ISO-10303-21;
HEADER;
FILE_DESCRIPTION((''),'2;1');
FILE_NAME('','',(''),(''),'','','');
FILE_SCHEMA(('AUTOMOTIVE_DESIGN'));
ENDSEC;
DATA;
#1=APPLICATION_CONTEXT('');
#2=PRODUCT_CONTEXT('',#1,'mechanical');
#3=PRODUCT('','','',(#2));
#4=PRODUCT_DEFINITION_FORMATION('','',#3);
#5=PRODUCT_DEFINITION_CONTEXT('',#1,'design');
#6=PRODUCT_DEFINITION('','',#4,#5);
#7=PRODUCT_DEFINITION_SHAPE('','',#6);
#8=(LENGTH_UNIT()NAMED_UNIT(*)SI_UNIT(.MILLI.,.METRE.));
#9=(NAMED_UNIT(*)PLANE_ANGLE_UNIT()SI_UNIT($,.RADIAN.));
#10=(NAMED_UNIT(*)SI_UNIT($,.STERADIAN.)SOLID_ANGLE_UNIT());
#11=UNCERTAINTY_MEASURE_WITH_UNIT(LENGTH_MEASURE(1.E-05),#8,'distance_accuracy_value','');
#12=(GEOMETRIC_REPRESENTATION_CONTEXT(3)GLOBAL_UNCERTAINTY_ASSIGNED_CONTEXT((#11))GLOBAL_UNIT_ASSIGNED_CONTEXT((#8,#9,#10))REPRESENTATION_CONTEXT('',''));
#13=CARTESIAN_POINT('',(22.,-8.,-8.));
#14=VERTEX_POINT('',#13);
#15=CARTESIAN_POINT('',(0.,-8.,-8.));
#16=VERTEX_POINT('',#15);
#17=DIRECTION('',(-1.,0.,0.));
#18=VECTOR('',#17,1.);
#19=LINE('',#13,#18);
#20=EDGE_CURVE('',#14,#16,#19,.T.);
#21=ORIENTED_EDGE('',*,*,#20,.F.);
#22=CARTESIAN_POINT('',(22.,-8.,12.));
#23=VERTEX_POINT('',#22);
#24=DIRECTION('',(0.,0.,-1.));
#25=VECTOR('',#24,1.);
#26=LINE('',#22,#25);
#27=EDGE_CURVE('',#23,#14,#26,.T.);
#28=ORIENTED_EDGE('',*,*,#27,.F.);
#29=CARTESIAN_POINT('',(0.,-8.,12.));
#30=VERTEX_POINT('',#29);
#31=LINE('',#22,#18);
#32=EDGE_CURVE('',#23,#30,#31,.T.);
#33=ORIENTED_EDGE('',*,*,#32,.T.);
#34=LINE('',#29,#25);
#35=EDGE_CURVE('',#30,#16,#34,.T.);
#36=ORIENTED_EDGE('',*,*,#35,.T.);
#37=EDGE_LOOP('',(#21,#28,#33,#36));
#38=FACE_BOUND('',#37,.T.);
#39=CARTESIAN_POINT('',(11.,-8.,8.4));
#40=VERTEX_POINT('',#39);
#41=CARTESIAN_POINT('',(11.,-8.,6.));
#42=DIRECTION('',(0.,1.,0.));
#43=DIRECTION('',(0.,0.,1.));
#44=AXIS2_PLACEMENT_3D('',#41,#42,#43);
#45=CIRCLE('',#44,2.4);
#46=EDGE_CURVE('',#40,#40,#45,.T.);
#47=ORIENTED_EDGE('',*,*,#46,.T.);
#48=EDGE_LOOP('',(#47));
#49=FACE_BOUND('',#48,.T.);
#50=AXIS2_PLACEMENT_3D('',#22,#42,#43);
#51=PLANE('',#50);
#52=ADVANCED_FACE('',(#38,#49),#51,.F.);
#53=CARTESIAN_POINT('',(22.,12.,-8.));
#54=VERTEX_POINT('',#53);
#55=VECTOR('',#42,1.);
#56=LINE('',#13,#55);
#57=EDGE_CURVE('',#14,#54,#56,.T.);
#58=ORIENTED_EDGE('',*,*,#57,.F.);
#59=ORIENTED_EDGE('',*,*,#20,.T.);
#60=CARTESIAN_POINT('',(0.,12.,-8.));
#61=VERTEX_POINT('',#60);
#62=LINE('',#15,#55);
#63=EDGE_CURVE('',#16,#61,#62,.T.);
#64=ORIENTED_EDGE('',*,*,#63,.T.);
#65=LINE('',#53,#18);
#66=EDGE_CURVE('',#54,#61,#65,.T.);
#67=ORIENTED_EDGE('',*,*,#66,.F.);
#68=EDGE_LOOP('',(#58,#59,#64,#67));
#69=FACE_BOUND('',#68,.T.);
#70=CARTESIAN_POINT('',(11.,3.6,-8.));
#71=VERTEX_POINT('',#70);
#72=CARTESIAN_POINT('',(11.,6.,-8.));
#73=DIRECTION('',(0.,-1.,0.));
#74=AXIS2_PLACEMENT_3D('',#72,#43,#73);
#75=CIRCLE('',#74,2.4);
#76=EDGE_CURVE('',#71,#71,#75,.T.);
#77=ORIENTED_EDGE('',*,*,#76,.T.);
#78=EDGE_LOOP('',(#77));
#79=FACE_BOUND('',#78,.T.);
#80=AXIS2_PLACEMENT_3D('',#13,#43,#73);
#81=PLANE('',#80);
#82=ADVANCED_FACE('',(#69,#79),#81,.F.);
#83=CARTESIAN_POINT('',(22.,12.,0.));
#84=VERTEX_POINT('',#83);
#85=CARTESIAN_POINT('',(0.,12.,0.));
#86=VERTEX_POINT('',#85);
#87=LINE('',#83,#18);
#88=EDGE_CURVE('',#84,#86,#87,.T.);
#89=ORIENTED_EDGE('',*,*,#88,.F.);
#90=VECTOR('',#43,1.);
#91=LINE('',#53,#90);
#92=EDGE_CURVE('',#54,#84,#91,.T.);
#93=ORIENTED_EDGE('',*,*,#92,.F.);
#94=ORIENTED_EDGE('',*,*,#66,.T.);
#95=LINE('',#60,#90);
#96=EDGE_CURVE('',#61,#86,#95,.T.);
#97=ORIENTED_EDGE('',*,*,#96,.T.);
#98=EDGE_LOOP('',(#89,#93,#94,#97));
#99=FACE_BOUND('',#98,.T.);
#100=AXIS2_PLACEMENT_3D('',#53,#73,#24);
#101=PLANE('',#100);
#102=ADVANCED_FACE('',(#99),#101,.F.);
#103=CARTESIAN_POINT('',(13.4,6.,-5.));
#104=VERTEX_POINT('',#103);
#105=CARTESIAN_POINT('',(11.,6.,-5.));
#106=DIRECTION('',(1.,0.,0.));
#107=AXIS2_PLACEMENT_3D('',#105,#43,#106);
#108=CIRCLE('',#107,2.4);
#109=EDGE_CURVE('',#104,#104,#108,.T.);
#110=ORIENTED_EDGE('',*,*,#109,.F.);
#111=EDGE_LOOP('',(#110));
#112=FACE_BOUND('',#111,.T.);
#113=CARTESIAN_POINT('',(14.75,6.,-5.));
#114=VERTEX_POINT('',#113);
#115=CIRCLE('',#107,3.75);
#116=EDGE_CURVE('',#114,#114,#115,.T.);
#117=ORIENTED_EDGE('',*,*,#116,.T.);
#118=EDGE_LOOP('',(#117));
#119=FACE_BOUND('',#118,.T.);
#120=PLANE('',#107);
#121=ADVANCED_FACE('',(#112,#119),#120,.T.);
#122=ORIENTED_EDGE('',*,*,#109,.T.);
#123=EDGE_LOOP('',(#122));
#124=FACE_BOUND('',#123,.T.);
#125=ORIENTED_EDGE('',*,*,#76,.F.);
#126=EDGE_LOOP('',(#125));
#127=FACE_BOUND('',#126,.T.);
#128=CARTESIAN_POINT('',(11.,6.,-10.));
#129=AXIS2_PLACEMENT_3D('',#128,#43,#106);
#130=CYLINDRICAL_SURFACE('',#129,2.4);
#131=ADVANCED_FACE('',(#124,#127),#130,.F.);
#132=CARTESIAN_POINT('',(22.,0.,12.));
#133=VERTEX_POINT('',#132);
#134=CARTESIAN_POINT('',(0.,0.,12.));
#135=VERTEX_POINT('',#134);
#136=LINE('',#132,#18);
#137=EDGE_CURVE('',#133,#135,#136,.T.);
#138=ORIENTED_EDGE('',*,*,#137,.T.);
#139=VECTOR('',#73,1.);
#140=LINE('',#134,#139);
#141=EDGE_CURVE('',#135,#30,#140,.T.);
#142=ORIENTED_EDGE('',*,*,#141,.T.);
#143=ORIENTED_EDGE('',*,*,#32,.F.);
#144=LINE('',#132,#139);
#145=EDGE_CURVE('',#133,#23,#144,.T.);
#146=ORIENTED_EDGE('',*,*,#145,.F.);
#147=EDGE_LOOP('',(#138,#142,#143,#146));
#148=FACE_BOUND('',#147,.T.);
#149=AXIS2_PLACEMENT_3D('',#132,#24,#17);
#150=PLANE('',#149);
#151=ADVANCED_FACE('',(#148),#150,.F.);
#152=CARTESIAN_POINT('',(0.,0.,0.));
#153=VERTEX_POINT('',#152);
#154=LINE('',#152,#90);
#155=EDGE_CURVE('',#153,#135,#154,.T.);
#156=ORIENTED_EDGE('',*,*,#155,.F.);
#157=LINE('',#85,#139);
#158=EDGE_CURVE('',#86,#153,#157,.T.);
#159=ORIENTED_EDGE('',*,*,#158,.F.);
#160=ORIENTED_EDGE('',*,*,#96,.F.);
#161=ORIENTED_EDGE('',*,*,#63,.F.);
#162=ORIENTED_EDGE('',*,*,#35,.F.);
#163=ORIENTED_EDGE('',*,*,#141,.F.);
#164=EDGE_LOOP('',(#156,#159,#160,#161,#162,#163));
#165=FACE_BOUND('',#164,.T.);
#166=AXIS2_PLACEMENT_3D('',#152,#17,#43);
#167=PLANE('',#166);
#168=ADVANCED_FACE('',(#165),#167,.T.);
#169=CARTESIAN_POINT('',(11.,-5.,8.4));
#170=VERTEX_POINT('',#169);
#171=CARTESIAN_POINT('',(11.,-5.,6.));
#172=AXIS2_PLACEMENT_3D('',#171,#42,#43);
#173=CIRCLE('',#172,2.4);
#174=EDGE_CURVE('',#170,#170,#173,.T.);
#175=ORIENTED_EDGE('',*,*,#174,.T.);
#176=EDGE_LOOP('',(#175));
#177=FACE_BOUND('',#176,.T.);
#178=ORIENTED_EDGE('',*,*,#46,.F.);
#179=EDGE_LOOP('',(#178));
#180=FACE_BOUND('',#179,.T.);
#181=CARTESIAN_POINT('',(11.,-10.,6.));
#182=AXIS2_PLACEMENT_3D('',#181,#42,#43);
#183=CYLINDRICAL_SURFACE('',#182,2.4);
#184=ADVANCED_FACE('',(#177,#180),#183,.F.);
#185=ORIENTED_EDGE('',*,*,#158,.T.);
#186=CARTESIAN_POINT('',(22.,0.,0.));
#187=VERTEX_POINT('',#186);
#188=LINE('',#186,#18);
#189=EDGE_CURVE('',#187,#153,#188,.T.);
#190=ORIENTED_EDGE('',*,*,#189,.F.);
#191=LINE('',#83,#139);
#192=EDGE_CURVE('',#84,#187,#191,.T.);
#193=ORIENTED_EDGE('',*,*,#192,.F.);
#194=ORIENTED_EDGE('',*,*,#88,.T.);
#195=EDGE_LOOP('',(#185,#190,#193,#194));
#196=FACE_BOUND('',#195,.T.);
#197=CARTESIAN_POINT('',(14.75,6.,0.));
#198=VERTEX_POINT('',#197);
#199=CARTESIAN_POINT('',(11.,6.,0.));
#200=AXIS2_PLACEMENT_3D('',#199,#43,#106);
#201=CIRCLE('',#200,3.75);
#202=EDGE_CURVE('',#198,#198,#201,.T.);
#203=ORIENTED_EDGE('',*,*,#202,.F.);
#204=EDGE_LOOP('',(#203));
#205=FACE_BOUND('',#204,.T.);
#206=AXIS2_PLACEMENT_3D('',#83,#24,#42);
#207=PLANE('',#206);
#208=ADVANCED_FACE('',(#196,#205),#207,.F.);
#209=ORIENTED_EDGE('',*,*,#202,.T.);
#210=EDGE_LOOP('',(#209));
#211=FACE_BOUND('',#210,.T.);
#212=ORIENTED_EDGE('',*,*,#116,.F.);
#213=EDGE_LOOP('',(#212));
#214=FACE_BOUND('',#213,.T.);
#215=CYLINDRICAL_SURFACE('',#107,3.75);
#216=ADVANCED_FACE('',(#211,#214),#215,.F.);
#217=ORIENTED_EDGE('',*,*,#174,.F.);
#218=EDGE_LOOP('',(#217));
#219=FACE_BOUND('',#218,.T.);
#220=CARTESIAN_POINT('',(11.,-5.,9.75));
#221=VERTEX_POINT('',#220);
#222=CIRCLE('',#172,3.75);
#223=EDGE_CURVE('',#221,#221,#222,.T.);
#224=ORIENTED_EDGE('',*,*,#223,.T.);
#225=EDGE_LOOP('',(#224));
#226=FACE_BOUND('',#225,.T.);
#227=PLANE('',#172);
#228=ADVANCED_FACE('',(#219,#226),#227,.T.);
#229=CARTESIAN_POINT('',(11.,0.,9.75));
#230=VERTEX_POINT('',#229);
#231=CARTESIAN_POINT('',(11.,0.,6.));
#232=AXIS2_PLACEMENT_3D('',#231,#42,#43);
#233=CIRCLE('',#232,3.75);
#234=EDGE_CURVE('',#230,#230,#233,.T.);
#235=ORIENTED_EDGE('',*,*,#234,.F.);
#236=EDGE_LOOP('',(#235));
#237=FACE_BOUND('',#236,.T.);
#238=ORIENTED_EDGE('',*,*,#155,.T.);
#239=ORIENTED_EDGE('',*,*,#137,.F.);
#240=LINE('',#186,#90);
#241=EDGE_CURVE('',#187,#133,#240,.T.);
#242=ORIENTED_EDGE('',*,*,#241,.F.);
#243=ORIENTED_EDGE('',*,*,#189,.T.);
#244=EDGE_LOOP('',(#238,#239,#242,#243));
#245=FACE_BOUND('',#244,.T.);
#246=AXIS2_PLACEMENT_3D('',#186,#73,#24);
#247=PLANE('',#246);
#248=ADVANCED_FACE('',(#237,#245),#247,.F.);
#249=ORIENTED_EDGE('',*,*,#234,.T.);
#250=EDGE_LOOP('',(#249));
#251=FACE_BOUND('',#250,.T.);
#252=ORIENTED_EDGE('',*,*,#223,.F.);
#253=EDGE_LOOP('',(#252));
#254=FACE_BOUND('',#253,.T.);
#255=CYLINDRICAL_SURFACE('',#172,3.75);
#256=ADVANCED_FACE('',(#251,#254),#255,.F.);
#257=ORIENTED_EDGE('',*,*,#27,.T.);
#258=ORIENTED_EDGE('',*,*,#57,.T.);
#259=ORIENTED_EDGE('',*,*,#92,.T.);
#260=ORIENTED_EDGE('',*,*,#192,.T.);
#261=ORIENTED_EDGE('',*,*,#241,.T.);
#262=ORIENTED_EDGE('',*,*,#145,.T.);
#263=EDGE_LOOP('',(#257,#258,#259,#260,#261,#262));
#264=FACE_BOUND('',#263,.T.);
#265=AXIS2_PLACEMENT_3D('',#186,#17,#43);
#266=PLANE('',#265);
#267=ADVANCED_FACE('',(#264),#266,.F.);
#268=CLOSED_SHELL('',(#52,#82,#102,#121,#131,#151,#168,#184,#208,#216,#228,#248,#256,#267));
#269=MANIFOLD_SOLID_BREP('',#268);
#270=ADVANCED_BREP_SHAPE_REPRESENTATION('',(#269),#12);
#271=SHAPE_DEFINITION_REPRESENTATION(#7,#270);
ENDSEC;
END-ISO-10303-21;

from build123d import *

# Parameters (mm, degrees)
BOSS_EXTRUDE1_DEPTH = 22
SKETCH2_R           = 3.75
CUT_EXTRUDE1_DEPTH  = 5
SKETCH3_R           = 2.4
CUT_EXTRUDE2_DEPTH  = 5
SKETCH4_R           = 3.75
CUT_EXTRUDE3_DEPTH  = 5
SKETCH5_R           = 2.4
CUT_EXTRUDE4_DEPTH  = 5


with BuildPart() as part:
    # Sketch1 → Boss-Extrude1 (new body)
    with BuildSketch(Plane(origin=(0, 0, 0), x_dir=(0, 0, -1), z_dir=(1, 0, 0))):
        Polygon((0, 0), (-12, 0), (-12, -8), (8, -8), (8, 12), (0, 12), align=None)
    extrude(amount=BOSS_EXTRUDE1_DEPTH)

    # Sketch2 → Cut-Extrude1 (cut)
    with BuildSketch(Plane.XY):
        with Locations((11, 6)):
            Circle(SKETCH2_R)
    extrude(amount=-CUT_EXTRUDE1_DEPTH, mode=Mode.SUBTRACT)

    # Sketch3 → Cut-Extrude2 (cut)
    with BuildSketch(Plane.XY.offset(-5)):
        with Locations((11, 6)):
            Circle(SKETCH3_R)
    extrude(amount=-CUT_EXTRUDE2_DEPTH, mode=Mode.SUBTRACT)

    # Sketch4 → Cut-Extrude3 (cut)
    with BuildSketch(Plane(origin=(0, 0, 0), x_dir=(1, 0, 0), z_dir=(0, 1, 0))):
        with Locations((11, -6)):
            Circle(SKETCH4_R)
    extrude(amount=-CUT_EXTRUDE3_DEPTH, mode=Mode.SUBTRACT)

    # Sketch5 → Cut-Extrude4 (cut)
    with BuildSketch(Plane(origin=(0, -5, 0), x_dir=(1, 0, 0), z_dir=(0, 1, 0))):
        with Locations((11, -6)):
            Circle(SKETCH5_R)
    extrude(amount=-CUT_EXTRUDE4_DEPTH, mode=Mode.SUBTRACT)


solid = part.part
